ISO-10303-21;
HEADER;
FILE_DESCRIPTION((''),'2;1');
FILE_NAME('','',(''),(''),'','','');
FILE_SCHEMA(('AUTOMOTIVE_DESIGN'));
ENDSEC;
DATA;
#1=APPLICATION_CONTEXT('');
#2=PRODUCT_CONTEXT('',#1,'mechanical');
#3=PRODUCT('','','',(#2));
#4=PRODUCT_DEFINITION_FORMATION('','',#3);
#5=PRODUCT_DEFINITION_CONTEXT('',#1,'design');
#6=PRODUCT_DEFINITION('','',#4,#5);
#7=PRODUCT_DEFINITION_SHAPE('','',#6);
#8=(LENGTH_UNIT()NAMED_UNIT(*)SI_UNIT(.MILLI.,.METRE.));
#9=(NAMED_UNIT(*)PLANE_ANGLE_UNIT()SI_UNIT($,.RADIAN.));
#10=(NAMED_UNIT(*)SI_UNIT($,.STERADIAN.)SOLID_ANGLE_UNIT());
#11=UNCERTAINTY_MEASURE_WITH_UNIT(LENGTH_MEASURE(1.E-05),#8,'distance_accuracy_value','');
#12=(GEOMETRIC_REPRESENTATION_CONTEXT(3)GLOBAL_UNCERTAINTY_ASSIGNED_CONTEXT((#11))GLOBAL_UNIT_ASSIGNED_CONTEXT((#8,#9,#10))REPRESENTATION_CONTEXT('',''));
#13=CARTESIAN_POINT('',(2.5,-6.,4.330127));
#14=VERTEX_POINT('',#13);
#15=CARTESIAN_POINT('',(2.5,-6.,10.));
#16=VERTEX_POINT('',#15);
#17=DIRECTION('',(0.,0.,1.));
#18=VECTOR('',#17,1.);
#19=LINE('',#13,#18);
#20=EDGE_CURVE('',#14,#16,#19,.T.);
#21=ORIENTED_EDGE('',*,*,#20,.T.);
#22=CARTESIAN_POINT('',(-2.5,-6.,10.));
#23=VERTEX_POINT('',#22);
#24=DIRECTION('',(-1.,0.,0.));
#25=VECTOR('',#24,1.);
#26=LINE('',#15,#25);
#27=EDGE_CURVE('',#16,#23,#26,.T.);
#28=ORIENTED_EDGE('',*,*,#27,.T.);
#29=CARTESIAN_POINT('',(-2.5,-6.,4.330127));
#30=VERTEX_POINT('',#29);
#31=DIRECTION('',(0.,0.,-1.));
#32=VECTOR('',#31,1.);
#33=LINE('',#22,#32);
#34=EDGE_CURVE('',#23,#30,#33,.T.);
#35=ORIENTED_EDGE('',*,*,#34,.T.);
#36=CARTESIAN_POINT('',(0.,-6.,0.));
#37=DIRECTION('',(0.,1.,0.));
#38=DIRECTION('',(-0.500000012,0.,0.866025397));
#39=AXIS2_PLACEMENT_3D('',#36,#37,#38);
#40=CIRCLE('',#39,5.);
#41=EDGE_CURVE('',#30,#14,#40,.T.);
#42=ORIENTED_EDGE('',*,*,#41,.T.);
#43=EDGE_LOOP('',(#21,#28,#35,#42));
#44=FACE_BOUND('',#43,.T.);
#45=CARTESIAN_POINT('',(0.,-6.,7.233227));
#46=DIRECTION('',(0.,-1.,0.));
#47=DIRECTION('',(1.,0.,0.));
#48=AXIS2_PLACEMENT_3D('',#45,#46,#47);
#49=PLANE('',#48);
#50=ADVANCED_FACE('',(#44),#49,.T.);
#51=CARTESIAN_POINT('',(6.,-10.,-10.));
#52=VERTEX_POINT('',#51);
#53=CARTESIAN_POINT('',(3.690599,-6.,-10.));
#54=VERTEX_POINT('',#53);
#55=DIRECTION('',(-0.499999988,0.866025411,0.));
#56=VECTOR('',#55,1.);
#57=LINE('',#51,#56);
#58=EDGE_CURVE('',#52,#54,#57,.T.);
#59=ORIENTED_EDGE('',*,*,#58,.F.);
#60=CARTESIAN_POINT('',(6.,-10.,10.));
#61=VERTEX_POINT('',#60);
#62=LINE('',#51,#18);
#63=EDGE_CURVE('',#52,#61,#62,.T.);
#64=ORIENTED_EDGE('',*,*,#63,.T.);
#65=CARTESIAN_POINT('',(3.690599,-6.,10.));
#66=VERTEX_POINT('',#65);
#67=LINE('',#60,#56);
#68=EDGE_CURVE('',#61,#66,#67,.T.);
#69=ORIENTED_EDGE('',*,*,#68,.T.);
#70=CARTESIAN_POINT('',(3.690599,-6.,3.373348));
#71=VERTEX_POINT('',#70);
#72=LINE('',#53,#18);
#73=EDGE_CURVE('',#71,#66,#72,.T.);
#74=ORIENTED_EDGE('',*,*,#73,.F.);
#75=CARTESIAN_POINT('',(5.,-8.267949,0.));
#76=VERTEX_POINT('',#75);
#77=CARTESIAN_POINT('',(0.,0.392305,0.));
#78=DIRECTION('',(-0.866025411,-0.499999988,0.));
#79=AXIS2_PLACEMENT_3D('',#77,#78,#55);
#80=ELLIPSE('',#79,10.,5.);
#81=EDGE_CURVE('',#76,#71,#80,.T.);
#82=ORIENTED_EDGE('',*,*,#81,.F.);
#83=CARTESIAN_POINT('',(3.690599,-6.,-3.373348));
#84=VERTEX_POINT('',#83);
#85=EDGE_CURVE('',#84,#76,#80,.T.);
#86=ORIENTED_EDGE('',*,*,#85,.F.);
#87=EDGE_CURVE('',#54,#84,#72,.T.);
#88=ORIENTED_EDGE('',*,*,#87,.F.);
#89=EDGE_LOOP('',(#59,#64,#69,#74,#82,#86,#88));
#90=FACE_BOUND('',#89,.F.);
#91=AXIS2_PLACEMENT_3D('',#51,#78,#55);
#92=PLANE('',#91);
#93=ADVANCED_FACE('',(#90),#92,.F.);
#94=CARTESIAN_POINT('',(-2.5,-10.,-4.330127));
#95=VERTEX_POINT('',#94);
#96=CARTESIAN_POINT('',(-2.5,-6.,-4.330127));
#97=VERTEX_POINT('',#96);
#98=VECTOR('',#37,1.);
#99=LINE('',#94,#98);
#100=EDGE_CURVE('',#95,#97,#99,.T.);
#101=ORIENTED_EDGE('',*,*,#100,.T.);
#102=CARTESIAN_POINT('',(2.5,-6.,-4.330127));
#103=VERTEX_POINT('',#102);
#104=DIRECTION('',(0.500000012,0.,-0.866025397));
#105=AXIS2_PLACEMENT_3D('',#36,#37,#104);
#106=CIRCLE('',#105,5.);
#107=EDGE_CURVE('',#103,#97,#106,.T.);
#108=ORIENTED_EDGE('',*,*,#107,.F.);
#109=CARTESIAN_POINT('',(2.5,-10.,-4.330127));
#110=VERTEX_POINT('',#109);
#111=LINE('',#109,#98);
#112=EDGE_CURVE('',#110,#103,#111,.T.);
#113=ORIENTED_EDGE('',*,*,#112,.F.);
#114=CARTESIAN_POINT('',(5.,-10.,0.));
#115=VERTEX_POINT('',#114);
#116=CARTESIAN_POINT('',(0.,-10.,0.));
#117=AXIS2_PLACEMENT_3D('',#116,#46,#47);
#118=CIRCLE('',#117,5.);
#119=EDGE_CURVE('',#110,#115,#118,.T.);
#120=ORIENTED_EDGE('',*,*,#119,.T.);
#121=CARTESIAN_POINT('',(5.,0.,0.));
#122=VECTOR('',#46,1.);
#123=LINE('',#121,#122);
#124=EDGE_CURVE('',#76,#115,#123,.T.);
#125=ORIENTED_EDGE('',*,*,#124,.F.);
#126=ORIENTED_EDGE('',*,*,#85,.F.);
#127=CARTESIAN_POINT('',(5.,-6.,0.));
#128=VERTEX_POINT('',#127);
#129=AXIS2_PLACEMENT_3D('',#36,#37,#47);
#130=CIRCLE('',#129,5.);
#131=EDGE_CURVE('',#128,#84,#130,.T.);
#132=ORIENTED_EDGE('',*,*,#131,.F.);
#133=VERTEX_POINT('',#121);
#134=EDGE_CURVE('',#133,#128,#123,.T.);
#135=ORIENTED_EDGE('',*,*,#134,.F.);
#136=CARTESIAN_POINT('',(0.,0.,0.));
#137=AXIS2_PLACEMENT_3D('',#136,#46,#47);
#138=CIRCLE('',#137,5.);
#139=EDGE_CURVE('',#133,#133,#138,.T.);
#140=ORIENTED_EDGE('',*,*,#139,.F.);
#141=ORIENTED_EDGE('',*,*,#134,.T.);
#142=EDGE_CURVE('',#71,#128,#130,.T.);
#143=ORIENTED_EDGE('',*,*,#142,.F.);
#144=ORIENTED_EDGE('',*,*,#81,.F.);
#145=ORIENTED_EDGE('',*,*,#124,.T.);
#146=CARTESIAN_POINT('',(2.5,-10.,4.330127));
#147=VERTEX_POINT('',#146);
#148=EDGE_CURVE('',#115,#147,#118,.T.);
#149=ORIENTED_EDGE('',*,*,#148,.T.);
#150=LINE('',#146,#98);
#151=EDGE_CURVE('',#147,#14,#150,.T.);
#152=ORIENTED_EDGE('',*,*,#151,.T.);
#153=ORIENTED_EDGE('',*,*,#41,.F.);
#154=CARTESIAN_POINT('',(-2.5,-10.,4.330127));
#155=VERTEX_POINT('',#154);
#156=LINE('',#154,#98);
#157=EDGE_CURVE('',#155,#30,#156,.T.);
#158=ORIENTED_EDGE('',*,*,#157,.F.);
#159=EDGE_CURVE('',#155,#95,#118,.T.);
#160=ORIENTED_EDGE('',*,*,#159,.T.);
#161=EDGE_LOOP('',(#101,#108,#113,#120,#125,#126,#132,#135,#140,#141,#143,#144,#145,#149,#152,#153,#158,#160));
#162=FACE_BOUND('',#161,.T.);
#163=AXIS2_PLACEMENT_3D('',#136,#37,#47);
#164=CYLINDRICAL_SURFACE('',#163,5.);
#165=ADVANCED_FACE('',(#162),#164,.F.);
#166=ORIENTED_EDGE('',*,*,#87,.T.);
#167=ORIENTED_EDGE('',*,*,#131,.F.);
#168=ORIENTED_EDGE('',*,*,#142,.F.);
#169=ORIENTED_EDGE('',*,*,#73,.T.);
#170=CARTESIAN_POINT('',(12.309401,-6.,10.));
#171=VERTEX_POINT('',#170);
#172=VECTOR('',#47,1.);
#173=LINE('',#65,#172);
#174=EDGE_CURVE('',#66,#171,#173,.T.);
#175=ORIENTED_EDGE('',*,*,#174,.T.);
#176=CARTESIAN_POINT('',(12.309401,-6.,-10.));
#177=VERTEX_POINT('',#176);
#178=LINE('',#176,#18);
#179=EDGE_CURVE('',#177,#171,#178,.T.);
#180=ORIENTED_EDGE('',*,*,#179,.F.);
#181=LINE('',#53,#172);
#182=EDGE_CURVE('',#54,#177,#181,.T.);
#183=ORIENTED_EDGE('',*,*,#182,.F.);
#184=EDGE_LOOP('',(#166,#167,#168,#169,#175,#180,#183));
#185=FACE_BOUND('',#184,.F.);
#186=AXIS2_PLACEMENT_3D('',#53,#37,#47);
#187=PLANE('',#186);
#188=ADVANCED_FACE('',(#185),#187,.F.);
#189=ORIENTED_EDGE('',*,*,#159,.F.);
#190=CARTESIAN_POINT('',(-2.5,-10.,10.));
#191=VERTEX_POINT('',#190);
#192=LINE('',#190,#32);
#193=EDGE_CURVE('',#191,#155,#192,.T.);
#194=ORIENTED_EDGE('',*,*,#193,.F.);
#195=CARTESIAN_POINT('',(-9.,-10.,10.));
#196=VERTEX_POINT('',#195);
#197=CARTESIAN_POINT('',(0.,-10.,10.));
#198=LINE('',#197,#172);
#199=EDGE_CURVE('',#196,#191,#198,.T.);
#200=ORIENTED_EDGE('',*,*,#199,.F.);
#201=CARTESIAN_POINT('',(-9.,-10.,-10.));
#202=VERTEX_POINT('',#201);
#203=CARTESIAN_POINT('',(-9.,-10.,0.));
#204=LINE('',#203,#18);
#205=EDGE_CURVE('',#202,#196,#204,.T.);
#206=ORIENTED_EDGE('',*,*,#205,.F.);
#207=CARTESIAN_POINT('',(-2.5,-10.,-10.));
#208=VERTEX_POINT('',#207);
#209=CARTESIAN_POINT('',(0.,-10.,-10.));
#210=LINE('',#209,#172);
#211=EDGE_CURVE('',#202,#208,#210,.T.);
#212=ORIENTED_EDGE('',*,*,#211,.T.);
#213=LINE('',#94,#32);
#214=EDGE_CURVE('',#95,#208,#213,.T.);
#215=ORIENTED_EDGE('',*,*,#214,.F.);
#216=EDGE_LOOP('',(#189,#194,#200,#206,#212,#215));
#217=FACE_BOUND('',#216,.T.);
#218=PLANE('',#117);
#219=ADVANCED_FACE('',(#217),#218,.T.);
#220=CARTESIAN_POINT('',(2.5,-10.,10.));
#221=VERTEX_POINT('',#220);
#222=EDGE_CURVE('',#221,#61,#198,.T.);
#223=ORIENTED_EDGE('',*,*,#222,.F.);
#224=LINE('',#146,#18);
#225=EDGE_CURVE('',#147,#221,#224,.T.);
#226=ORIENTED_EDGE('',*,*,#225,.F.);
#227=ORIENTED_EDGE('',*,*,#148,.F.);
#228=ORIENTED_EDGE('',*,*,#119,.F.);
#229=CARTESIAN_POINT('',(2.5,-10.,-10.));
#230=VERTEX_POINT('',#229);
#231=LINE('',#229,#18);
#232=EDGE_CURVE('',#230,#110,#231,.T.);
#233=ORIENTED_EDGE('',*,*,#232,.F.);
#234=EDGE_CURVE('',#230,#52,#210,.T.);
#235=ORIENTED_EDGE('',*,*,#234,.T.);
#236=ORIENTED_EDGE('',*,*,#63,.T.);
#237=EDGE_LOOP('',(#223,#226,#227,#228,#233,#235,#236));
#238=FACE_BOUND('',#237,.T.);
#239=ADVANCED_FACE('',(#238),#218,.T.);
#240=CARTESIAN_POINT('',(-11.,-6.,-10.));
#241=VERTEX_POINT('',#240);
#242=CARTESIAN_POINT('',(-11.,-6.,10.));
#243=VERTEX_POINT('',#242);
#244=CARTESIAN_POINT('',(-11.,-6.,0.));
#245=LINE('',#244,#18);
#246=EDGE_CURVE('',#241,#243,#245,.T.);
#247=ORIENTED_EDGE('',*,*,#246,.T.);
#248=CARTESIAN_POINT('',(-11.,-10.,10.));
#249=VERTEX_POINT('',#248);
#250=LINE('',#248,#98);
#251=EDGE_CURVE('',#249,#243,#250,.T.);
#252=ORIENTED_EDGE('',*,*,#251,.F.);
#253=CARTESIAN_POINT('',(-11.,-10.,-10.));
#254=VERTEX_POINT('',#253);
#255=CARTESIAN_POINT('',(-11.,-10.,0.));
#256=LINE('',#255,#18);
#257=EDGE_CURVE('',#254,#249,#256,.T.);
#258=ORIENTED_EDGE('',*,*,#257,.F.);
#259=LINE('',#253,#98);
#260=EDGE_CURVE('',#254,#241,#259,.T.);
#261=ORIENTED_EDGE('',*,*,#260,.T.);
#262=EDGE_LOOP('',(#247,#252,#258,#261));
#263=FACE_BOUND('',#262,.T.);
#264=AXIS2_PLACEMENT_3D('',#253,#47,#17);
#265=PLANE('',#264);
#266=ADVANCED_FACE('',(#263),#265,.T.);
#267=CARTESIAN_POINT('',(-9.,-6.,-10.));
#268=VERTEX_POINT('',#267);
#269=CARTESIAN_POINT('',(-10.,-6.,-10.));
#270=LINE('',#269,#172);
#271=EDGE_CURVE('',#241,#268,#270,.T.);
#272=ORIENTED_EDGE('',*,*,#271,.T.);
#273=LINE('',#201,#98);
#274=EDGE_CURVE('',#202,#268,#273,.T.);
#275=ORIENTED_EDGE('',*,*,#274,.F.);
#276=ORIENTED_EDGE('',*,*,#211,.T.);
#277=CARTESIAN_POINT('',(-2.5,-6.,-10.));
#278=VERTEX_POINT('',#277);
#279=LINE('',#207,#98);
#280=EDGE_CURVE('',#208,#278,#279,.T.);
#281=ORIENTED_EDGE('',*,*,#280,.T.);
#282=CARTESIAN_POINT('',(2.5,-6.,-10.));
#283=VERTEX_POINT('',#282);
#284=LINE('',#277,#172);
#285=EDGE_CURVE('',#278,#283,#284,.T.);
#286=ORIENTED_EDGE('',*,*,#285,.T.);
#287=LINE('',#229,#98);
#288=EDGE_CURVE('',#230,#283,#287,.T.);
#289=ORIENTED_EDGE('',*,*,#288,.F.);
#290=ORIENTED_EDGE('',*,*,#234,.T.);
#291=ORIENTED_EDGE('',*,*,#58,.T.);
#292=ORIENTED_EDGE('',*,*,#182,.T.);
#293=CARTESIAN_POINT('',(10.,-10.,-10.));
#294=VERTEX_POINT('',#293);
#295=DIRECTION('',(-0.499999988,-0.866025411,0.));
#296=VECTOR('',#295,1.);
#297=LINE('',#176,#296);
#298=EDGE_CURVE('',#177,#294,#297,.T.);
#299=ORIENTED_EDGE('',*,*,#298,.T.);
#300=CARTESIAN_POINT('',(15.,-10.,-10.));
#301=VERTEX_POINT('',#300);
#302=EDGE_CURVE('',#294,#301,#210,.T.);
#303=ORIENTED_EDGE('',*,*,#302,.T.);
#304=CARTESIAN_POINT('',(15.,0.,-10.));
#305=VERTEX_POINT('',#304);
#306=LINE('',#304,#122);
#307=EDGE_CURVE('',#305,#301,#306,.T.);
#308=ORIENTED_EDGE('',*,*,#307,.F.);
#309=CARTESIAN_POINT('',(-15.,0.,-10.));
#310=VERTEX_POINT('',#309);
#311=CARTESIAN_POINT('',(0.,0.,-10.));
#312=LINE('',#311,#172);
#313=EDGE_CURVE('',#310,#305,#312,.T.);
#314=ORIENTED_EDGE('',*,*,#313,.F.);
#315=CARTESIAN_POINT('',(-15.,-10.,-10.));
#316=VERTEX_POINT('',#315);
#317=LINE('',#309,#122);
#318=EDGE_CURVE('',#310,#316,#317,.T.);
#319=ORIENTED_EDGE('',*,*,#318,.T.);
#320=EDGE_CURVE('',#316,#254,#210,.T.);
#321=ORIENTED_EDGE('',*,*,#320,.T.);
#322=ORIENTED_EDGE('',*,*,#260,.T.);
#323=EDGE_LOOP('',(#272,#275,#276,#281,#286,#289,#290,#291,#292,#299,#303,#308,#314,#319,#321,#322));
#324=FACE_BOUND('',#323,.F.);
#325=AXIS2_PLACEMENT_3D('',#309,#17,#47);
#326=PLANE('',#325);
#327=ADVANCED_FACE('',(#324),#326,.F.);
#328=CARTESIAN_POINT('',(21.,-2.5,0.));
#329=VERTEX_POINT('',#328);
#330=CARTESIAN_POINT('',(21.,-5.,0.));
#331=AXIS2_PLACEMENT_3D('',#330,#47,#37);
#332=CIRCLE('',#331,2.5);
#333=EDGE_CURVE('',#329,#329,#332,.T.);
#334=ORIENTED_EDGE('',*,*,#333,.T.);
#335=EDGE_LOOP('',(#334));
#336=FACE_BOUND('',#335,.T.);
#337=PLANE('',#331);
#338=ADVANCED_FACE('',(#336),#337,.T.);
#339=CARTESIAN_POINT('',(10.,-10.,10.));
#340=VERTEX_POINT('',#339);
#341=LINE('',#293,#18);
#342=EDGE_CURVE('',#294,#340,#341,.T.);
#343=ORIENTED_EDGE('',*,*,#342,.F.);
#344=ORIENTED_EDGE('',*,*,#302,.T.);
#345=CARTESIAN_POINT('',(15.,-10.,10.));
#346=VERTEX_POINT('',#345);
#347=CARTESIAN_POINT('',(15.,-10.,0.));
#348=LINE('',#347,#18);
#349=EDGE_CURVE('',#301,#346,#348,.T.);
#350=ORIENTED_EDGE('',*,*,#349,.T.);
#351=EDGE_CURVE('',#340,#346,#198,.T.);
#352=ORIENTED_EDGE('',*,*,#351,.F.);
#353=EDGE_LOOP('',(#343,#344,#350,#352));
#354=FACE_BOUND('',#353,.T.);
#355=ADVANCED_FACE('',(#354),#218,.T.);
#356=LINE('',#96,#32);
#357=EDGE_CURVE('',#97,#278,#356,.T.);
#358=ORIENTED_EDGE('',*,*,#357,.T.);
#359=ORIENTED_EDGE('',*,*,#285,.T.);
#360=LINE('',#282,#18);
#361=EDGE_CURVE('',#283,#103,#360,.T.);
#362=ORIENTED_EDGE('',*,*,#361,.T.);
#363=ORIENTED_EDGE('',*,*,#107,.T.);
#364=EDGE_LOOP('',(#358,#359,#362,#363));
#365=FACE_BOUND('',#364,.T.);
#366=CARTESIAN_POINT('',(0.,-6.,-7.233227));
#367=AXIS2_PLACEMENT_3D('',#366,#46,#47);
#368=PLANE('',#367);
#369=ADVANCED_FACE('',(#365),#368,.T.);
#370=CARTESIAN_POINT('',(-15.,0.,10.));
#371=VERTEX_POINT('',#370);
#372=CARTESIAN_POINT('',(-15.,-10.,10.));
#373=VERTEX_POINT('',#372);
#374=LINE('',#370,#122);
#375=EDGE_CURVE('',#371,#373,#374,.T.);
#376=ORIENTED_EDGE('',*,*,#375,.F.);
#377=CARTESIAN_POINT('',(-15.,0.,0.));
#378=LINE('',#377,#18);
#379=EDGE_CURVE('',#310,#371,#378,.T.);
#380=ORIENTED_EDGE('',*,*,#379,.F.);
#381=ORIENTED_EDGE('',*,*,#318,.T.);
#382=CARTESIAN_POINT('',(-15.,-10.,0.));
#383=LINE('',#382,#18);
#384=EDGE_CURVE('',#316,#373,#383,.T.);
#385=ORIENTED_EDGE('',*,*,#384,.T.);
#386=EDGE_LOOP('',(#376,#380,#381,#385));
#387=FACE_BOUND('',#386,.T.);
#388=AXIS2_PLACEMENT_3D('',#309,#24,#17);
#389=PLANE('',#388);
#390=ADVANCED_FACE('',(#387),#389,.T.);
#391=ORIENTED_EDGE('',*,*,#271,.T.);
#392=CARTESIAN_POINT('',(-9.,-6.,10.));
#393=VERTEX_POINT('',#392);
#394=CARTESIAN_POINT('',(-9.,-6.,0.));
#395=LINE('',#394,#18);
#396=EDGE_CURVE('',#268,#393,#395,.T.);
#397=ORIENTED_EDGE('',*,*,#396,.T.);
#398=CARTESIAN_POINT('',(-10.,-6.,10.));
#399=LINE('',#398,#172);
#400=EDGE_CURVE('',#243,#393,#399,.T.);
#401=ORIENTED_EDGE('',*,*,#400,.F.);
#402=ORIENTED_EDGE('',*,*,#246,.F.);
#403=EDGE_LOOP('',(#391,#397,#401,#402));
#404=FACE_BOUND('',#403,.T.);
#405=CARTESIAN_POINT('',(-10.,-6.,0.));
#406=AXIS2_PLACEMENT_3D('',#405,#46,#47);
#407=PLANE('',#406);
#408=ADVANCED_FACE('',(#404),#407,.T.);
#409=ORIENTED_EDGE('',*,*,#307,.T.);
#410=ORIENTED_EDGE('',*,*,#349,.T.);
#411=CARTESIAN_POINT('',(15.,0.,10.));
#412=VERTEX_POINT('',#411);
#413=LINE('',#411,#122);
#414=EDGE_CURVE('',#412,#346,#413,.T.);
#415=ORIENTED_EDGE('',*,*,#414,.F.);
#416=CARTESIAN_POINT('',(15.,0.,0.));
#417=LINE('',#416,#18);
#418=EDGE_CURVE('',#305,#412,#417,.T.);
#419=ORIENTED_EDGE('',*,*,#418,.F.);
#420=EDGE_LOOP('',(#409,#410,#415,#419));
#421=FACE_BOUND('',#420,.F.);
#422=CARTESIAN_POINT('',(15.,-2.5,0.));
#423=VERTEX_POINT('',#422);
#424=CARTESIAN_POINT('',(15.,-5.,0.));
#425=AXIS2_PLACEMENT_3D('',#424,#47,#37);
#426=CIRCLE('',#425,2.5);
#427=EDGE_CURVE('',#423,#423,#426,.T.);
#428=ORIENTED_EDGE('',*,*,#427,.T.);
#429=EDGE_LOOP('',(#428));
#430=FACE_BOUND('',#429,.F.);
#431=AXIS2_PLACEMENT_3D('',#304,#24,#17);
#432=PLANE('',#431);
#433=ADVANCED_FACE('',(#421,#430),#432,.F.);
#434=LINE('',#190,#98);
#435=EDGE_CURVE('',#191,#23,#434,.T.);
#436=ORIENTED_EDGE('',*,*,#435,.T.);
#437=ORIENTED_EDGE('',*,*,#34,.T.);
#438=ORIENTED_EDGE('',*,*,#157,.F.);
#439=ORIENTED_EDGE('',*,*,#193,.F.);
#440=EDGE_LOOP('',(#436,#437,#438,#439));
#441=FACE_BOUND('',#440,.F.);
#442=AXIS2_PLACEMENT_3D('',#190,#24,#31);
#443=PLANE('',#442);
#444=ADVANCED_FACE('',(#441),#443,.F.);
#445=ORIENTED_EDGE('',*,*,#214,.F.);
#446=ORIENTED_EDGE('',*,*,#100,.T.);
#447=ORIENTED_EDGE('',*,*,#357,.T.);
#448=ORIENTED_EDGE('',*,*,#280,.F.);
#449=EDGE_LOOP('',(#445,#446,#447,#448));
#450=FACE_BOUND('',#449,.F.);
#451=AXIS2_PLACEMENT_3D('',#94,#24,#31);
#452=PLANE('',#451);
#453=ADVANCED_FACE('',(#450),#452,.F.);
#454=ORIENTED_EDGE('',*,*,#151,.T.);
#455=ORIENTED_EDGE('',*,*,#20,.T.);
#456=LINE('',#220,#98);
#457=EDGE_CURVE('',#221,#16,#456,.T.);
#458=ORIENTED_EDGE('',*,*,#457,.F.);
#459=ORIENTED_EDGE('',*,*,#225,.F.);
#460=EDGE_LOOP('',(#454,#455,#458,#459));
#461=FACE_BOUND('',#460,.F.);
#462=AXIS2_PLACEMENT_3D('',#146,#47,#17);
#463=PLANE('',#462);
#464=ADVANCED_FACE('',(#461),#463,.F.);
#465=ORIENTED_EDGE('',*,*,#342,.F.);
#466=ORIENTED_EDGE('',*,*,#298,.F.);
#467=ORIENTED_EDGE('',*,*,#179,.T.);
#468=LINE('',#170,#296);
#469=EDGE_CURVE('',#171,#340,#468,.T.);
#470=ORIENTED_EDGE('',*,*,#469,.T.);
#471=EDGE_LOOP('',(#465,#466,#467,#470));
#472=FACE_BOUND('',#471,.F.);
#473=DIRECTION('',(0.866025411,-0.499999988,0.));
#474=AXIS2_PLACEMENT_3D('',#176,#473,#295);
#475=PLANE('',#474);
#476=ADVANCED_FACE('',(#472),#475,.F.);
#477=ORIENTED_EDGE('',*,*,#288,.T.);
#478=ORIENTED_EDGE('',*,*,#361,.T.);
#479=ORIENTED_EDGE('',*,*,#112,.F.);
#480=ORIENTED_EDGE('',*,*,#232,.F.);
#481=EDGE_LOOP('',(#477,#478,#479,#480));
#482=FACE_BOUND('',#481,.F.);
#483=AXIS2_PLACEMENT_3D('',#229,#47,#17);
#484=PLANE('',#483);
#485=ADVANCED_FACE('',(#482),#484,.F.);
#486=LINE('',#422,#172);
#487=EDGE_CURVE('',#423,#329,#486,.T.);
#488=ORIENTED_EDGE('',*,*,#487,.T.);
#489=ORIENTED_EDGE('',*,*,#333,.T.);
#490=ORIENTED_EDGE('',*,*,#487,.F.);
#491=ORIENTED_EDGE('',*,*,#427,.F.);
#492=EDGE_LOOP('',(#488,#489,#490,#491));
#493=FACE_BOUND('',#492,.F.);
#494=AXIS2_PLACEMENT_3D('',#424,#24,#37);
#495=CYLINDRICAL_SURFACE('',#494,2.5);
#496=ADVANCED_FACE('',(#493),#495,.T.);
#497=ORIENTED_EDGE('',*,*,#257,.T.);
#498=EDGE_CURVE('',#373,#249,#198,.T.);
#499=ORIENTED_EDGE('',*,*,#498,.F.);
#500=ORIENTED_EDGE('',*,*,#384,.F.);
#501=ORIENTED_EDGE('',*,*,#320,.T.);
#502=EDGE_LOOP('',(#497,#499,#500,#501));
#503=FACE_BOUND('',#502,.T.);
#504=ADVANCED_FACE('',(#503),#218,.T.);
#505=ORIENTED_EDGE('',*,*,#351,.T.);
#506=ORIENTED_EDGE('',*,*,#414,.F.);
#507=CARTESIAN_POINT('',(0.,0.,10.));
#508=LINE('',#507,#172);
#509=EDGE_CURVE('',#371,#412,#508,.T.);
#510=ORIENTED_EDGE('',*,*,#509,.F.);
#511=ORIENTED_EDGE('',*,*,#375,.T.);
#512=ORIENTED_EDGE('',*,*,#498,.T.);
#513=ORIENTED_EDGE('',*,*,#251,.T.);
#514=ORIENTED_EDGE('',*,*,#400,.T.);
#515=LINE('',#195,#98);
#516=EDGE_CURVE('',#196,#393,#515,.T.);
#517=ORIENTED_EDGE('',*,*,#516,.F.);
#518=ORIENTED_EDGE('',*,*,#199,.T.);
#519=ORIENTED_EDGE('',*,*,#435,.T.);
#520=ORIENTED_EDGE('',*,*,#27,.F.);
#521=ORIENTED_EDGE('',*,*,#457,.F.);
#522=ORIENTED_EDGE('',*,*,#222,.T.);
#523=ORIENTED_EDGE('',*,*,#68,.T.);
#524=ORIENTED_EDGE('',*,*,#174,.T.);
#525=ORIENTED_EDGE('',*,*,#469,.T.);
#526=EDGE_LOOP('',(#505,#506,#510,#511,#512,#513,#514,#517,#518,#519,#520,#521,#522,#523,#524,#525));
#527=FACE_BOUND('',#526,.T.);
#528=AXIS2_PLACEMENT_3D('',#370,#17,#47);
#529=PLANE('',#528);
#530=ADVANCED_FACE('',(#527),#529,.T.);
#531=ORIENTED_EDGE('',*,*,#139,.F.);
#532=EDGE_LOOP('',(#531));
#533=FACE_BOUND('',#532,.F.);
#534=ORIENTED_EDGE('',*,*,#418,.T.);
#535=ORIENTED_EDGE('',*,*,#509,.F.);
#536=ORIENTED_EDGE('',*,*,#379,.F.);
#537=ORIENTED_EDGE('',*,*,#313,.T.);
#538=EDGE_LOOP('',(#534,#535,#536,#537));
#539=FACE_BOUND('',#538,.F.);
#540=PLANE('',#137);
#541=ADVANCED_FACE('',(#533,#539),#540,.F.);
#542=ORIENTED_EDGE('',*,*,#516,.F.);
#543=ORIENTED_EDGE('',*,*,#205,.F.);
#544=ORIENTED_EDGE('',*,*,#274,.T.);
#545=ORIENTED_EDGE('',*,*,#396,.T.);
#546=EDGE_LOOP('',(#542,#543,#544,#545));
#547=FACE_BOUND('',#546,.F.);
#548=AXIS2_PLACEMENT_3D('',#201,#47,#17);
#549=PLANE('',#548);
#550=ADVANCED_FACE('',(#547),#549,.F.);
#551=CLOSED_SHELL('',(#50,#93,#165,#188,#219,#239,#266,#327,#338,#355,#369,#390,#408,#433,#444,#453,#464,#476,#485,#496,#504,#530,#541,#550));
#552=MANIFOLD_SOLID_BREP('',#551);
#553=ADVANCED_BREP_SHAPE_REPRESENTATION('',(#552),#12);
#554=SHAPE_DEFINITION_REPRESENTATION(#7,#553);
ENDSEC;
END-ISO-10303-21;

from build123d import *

# Parameters (mm, degrees)
F0_W     = 30
F0_H     = 20
F0_R     = 5
F1_DEPTH = 10
F2_W     = 2
F2_H     = 20
F3_DEPTH = 4
F5_DEPTH = 20
F6_R     = 2.5
F7_DEPTH = 6


with BuildPart() as f1:
    # F0 (on Front) → F1 (new body)
    with BuildSketch(Plane.XZ):
        Rectangle(F0_W, F0_H)
        Circle(F0_R, mode=Mode.SUBTRACT)
    extrude(amount=F1_DEPTH)

    # F2 (on face) → F3 (cut)
    with BuildSketch(Plane.XZ.offset(10)):
        with Locations((-10, 0)):
            Rectangle(F2_W, F2_H)
        with BuildLine():
            Line((2.5, 10), (-2.5, 10))
            Line((-2.5, 10), (-2.5, 4.330127))
            ThreePointArc((-2.5, 4.330127), (0, 5), (2.5, 4.330127))
            Line((2.5, 4.330127), (2.5, 10))
        make_face()
        with BuildLine():
            Line((-2.5, -4.330127), (-2.5, -10))
            Line((-2.5, -10), (2.5, -10))
            Line((2.5, -10), (2.5, -4.330127))
            ThreePointArc((2.5, -4.330127), (0, -5), (-2.5, -4.330127))
        make_face()
    extrude(amount=-F3_DEPTH, mode=Mode.SUBTRACT)

    # F4 (on face) → F5 (cut, through all)
    with BuildSketch(Plane(origin=(0, 0, -10), x_dir=(1, 0, 0), z_dir=(0, 0, -1))):
        Polygon((10, 10), (6, 10), (3.690599, 6), (12.309401, 6), align=None)
    extrude(amount=-F5_DEPTH, mode=Mode.SUBTRACT)

    # F6 (on face) → F7 (join)
    with BuildSketch(Plane.YZ.offset(15)):
        with Locations((-5, 0)):
            Circle(F6_R)
    extrude(amount=F7_DEPTH)


solid = f1.part
